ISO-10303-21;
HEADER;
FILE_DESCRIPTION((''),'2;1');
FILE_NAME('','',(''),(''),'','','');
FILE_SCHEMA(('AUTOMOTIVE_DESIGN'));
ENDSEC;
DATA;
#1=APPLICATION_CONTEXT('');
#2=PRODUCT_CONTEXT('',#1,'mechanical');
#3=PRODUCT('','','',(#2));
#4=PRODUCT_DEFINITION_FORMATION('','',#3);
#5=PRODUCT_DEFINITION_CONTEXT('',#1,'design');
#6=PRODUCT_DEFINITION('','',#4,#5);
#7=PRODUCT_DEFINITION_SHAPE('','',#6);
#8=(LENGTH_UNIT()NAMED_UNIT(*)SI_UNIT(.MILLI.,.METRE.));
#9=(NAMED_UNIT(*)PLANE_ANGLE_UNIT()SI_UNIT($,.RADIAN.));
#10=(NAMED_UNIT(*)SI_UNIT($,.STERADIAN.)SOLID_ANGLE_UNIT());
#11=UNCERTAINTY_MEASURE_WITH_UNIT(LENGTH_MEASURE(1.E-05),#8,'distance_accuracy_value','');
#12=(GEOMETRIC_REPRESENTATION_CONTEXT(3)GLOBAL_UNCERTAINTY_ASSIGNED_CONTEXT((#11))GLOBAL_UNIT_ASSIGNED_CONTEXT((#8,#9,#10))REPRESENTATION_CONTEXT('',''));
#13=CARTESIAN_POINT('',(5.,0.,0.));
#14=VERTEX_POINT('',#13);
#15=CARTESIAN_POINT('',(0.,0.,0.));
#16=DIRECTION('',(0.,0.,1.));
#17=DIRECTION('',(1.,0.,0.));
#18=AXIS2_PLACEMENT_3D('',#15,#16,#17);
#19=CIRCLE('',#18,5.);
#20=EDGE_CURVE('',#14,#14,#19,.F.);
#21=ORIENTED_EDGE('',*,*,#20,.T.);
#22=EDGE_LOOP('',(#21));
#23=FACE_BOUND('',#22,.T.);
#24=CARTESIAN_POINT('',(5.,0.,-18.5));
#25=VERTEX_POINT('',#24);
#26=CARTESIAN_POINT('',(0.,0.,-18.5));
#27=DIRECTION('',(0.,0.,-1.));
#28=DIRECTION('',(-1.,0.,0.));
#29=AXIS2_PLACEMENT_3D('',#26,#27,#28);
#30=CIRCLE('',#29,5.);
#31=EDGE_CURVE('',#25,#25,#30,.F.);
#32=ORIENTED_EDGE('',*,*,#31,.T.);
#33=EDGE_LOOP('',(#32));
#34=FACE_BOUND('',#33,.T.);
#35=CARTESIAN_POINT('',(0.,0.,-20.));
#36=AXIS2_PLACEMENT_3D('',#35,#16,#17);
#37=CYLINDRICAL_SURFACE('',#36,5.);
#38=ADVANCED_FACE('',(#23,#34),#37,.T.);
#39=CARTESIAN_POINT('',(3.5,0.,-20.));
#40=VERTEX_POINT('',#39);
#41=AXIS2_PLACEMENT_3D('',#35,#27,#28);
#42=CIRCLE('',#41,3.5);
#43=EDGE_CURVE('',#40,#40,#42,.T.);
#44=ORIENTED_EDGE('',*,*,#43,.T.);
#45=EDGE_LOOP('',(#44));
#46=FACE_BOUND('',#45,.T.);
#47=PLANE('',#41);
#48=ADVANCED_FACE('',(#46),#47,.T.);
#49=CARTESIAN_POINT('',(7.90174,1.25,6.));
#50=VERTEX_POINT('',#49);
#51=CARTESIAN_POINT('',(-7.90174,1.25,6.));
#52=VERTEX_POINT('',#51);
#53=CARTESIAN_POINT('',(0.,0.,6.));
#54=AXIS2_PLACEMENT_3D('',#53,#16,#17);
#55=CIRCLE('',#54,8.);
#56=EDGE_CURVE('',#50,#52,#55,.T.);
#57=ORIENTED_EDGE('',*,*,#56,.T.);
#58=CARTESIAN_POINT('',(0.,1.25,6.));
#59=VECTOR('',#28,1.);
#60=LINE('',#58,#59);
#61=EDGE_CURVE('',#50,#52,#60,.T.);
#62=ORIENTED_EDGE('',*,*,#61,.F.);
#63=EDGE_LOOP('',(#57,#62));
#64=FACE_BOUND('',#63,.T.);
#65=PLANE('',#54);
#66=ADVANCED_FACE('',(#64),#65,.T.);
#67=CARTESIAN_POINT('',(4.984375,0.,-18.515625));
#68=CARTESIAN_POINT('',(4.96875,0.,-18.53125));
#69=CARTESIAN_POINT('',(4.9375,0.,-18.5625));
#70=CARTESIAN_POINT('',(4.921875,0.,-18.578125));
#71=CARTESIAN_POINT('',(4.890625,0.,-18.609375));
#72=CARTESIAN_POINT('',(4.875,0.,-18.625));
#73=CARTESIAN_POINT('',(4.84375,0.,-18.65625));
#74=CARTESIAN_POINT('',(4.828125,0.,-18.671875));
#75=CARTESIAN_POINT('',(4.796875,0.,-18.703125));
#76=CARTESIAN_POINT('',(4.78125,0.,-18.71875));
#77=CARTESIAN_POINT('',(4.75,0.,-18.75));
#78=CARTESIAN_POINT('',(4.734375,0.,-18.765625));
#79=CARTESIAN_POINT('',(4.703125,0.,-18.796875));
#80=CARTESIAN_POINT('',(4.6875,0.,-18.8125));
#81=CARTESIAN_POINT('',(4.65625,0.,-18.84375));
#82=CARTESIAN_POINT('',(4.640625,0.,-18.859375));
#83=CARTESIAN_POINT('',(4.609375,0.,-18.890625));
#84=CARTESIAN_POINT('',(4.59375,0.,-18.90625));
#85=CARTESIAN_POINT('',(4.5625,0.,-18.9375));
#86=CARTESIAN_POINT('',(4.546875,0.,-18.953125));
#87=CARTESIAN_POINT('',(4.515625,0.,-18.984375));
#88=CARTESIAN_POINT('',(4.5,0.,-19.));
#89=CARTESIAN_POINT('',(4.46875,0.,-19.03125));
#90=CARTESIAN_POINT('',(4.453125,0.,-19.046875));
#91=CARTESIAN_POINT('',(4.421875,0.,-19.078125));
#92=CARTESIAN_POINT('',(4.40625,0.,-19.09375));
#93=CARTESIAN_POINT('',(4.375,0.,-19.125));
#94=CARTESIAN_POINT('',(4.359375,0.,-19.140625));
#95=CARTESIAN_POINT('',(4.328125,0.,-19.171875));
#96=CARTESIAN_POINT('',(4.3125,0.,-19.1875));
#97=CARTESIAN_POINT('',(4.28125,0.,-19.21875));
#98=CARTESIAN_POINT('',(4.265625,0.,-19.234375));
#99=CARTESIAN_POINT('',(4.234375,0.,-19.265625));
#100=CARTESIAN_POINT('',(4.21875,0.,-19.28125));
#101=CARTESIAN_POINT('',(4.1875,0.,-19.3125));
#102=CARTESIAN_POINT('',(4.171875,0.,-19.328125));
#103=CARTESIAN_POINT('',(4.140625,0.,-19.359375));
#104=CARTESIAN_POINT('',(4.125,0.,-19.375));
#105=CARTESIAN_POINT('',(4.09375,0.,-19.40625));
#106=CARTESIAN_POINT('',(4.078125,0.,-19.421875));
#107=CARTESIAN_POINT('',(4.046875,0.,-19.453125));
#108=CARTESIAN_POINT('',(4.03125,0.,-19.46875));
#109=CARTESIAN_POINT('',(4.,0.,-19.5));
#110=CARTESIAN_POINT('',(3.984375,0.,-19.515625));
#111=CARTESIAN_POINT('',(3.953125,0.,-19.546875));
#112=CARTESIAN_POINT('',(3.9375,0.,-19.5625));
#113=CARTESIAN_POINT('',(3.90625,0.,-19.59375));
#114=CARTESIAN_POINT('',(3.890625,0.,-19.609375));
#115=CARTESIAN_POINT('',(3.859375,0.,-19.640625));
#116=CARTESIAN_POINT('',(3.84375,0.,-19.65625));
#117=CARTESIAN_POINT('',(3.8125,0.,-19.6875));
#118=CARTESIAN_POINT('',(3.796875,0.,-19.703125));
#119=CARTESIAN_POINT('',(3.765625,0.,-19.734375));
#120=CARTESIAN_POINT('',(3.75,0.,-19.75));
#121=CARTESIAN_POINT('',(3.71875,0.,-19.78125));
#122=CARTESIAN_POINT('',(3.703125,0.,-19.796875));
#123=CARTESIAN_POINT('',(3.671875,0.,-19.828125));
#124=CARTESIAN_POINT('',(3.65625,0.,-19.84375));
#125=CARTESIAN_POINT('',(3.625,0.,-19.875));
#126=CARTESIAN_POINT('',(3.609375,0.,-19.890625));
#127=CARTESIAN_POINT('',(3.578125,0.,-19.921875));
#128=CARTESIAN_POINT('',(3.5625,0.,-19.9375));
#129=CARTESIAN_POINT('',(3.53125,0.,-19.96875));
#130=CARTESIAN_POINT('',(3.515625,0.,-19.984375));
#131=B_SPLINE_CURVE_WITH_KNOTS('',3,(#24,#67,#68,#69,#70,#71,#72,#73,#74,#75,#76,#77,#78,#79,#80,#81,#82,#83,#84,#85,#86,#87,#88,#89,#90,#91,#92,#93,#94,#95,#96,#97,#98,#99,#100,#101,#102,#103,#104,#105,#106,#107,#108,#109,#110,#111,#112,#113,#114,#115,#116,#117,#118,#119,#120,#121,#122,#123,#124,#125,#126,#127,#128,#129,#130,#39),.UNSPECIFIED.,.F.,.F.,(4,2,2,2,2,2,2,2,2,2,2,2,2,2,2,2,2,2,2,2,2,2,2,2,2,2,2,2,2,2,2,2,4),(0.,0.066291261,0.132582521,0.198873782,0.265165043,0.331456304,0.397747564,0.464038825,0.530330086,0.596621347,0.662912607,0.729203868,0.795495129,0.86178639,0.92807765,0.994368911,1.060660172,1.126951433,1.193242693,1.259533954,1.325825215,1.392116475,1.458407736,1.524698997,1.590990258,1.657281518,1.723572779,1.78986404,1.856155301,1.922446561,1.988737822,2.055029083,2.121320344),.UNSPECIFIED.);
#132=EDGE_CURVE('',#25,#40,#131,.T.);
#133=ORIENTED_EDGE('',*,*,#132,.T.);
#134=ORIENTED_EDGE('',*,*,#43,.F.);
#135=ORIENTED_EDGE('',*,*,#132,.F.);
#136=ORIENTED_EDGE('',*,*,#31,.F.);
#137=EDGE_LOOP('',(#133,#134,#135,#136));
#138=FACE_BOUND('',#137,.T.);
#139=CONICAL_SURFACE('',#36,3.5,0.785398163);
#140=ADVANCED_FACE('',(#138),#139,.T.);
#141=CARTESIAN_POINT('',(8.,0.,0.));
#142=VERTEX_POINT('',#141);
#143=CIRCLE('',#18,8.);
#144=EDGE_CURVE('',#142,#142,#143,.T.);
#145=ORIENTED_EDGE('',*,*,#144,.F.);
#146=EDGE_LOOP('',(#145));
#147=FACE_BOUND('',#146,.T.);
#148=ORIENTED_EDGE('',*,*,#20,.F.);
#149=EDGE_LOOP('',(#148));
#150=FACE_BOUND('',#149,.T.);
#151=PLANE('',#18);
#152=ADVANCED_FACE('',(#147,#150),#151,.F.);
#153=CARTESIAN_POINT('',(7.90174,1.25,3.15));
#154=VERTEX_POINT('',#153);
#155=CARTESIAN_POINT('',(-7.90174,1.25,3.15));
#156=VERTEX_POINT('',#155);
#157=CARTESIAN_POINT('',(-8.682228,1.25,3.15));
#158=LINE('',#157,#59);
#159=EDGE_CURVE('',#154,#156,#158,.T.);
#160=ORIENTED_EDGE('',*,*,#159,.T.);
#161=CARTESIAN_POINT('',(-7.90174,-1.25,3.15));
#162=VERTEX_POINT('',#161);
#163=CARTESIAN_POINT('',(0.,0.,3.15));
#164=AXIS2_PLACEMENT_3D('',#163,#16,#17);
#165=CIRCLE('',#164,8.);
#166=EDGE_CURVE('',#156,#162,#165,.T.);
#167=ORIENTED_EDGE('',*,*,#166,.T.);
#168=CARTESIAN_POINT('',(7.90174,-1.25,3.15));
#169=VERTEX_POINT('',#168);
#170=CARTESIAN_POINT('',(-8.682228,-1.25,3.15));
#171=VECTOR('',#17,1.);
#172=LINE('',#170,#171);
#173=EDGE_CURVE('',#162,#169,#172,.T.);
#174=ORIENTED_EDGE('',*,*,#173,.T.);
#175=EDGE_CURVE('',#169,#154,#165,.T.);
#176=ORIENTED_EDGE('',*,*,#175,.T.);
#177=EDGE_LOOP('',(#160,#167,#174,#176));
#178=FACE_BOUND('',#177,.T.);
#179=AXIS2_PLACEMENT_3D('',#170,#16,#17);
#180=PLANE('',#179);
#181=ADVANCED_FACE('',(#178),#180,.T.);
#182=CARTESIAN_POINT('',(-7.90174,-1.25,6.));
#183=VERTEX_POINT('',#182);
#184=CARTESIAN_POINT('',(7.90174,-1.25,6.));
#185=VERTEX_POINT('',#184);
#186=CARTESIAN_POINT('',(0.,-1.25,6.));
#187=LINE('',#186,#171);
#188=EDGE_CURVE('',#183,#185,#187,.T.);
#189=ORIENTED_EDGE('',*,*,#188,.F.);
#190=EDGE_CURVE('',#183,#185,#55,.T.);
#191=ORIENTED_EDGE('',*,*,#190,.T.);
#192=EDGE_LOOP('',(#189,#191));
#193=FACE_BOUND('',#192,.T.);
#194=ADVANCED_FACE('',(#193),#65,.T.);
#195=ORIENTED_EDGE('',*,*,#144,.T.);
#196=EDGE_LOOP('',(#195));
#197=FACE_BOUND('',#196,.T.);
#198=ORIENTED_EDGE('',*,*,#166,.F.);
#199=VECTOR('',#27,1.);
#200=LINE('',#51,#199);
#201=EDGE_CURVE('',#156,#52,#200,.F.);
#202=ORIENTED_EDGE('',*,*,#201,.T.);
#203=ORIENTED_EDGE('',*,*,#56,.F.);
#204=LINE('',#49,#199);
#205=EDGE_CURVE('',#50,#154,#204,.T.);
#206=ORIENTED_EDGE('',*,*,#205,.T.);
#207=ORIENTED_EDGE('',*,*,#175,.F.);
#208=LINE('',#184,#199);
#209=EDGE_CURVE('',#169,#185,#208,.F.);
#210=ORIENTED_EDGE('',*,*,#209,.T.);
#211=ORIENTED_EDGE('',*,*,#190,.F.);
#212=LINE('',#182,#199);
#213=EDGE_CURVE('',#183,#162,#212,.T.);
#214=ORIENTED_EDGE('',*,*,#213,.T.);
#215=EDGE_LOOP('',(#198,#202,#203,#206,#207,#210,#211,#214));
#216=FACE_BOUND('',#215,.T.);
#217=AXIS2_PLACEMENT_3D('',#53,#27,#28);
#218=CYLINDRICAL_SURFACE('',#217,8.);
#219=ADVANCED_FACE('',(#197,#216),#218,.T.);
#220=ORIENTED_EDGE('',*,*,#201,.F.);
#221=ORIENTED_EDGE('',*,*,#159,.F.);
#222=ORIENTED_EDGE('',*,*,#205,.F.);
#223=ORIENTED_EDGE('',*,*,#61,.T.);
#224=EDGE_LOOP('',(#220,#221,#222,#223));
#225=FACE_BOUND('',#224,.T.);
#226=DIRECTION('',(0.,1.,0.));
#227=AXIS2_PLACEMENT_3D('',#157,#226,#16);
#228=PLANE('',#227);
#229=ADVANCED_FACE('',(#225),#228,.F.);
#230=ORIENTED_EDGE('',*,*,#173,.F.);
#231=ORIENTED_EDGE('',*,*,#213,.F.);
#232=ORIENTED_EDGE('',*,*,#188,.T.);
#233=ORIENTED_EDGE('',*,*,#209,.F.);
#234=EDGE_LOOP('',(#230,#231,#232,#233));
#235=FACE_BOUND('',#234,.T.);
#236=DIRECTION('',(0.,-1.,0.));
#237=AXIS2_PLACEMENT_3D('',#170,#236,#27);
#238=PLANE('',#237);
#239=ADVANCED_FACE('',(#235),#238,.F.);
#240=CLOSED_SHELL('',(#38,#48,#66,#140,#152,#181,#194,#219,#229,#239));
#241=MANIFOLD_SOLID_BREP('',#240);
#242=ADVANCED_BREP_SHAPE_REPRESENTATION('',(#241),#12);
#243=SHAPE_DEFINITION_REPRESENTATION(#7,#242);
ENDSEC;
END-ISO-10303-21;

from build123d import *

# Parameters (mm, degrees)
SKETCH_12_R         = 8
EXTRUDE_3_DEPTH     = 6
SKETCH_13_R         = 5
EXTRUDE_4_DEPTH     = 20
SKETCH_20_W         = 17.254901961
SKETCH_20_H         = 2.5
CUT_EXTRUDE_8_DEPTH = 2.85
CHAMFER_1_SIZE      = 1.5


with BuildPart() as part:
    # Эскиз12 → Вытянуть3 (new body)
    with BuildSketch(Plane.XY):
        Circle(SKETCH_12_R)
    extrude(amount=EXTRUDE_3_DEPTH)

    # Эскиз13 → Вытянуть4 (add)
    with BuildSketch(Plane(origin=(0, 0, 0), x_dir=(-1, 0, 0), z_dir=(0, 0, -1))):
        with Locations(Location((0, 0, 0), (0, 0, 180))):
            Circle(SKETCH_13_R)
    extrude(amount=EXTRUDE_4_DEPTH)

    # Эскиз20 → Вырез-Вытянуть8 (cut)
    with BuildSketch(Plane.XY.offset(6)):
        with Locations((-0.054777467, 0)):
            Rectangle(SKETCH_20_W, SKETCH_20_H)
    extrude(amount=-CUT_EXTRUDE_8_DEPTH, mode=Mode.SUBTRACT)

    # Фаска1
    chamfer_1_edges = [part.edges().sort_by_distance(p)[0] for p in [
        (-5, 0, -20),
    ]]
    chamfer(chamfer_1_edges, length=CHAMFER_1_SIZE)


solid = part.part
